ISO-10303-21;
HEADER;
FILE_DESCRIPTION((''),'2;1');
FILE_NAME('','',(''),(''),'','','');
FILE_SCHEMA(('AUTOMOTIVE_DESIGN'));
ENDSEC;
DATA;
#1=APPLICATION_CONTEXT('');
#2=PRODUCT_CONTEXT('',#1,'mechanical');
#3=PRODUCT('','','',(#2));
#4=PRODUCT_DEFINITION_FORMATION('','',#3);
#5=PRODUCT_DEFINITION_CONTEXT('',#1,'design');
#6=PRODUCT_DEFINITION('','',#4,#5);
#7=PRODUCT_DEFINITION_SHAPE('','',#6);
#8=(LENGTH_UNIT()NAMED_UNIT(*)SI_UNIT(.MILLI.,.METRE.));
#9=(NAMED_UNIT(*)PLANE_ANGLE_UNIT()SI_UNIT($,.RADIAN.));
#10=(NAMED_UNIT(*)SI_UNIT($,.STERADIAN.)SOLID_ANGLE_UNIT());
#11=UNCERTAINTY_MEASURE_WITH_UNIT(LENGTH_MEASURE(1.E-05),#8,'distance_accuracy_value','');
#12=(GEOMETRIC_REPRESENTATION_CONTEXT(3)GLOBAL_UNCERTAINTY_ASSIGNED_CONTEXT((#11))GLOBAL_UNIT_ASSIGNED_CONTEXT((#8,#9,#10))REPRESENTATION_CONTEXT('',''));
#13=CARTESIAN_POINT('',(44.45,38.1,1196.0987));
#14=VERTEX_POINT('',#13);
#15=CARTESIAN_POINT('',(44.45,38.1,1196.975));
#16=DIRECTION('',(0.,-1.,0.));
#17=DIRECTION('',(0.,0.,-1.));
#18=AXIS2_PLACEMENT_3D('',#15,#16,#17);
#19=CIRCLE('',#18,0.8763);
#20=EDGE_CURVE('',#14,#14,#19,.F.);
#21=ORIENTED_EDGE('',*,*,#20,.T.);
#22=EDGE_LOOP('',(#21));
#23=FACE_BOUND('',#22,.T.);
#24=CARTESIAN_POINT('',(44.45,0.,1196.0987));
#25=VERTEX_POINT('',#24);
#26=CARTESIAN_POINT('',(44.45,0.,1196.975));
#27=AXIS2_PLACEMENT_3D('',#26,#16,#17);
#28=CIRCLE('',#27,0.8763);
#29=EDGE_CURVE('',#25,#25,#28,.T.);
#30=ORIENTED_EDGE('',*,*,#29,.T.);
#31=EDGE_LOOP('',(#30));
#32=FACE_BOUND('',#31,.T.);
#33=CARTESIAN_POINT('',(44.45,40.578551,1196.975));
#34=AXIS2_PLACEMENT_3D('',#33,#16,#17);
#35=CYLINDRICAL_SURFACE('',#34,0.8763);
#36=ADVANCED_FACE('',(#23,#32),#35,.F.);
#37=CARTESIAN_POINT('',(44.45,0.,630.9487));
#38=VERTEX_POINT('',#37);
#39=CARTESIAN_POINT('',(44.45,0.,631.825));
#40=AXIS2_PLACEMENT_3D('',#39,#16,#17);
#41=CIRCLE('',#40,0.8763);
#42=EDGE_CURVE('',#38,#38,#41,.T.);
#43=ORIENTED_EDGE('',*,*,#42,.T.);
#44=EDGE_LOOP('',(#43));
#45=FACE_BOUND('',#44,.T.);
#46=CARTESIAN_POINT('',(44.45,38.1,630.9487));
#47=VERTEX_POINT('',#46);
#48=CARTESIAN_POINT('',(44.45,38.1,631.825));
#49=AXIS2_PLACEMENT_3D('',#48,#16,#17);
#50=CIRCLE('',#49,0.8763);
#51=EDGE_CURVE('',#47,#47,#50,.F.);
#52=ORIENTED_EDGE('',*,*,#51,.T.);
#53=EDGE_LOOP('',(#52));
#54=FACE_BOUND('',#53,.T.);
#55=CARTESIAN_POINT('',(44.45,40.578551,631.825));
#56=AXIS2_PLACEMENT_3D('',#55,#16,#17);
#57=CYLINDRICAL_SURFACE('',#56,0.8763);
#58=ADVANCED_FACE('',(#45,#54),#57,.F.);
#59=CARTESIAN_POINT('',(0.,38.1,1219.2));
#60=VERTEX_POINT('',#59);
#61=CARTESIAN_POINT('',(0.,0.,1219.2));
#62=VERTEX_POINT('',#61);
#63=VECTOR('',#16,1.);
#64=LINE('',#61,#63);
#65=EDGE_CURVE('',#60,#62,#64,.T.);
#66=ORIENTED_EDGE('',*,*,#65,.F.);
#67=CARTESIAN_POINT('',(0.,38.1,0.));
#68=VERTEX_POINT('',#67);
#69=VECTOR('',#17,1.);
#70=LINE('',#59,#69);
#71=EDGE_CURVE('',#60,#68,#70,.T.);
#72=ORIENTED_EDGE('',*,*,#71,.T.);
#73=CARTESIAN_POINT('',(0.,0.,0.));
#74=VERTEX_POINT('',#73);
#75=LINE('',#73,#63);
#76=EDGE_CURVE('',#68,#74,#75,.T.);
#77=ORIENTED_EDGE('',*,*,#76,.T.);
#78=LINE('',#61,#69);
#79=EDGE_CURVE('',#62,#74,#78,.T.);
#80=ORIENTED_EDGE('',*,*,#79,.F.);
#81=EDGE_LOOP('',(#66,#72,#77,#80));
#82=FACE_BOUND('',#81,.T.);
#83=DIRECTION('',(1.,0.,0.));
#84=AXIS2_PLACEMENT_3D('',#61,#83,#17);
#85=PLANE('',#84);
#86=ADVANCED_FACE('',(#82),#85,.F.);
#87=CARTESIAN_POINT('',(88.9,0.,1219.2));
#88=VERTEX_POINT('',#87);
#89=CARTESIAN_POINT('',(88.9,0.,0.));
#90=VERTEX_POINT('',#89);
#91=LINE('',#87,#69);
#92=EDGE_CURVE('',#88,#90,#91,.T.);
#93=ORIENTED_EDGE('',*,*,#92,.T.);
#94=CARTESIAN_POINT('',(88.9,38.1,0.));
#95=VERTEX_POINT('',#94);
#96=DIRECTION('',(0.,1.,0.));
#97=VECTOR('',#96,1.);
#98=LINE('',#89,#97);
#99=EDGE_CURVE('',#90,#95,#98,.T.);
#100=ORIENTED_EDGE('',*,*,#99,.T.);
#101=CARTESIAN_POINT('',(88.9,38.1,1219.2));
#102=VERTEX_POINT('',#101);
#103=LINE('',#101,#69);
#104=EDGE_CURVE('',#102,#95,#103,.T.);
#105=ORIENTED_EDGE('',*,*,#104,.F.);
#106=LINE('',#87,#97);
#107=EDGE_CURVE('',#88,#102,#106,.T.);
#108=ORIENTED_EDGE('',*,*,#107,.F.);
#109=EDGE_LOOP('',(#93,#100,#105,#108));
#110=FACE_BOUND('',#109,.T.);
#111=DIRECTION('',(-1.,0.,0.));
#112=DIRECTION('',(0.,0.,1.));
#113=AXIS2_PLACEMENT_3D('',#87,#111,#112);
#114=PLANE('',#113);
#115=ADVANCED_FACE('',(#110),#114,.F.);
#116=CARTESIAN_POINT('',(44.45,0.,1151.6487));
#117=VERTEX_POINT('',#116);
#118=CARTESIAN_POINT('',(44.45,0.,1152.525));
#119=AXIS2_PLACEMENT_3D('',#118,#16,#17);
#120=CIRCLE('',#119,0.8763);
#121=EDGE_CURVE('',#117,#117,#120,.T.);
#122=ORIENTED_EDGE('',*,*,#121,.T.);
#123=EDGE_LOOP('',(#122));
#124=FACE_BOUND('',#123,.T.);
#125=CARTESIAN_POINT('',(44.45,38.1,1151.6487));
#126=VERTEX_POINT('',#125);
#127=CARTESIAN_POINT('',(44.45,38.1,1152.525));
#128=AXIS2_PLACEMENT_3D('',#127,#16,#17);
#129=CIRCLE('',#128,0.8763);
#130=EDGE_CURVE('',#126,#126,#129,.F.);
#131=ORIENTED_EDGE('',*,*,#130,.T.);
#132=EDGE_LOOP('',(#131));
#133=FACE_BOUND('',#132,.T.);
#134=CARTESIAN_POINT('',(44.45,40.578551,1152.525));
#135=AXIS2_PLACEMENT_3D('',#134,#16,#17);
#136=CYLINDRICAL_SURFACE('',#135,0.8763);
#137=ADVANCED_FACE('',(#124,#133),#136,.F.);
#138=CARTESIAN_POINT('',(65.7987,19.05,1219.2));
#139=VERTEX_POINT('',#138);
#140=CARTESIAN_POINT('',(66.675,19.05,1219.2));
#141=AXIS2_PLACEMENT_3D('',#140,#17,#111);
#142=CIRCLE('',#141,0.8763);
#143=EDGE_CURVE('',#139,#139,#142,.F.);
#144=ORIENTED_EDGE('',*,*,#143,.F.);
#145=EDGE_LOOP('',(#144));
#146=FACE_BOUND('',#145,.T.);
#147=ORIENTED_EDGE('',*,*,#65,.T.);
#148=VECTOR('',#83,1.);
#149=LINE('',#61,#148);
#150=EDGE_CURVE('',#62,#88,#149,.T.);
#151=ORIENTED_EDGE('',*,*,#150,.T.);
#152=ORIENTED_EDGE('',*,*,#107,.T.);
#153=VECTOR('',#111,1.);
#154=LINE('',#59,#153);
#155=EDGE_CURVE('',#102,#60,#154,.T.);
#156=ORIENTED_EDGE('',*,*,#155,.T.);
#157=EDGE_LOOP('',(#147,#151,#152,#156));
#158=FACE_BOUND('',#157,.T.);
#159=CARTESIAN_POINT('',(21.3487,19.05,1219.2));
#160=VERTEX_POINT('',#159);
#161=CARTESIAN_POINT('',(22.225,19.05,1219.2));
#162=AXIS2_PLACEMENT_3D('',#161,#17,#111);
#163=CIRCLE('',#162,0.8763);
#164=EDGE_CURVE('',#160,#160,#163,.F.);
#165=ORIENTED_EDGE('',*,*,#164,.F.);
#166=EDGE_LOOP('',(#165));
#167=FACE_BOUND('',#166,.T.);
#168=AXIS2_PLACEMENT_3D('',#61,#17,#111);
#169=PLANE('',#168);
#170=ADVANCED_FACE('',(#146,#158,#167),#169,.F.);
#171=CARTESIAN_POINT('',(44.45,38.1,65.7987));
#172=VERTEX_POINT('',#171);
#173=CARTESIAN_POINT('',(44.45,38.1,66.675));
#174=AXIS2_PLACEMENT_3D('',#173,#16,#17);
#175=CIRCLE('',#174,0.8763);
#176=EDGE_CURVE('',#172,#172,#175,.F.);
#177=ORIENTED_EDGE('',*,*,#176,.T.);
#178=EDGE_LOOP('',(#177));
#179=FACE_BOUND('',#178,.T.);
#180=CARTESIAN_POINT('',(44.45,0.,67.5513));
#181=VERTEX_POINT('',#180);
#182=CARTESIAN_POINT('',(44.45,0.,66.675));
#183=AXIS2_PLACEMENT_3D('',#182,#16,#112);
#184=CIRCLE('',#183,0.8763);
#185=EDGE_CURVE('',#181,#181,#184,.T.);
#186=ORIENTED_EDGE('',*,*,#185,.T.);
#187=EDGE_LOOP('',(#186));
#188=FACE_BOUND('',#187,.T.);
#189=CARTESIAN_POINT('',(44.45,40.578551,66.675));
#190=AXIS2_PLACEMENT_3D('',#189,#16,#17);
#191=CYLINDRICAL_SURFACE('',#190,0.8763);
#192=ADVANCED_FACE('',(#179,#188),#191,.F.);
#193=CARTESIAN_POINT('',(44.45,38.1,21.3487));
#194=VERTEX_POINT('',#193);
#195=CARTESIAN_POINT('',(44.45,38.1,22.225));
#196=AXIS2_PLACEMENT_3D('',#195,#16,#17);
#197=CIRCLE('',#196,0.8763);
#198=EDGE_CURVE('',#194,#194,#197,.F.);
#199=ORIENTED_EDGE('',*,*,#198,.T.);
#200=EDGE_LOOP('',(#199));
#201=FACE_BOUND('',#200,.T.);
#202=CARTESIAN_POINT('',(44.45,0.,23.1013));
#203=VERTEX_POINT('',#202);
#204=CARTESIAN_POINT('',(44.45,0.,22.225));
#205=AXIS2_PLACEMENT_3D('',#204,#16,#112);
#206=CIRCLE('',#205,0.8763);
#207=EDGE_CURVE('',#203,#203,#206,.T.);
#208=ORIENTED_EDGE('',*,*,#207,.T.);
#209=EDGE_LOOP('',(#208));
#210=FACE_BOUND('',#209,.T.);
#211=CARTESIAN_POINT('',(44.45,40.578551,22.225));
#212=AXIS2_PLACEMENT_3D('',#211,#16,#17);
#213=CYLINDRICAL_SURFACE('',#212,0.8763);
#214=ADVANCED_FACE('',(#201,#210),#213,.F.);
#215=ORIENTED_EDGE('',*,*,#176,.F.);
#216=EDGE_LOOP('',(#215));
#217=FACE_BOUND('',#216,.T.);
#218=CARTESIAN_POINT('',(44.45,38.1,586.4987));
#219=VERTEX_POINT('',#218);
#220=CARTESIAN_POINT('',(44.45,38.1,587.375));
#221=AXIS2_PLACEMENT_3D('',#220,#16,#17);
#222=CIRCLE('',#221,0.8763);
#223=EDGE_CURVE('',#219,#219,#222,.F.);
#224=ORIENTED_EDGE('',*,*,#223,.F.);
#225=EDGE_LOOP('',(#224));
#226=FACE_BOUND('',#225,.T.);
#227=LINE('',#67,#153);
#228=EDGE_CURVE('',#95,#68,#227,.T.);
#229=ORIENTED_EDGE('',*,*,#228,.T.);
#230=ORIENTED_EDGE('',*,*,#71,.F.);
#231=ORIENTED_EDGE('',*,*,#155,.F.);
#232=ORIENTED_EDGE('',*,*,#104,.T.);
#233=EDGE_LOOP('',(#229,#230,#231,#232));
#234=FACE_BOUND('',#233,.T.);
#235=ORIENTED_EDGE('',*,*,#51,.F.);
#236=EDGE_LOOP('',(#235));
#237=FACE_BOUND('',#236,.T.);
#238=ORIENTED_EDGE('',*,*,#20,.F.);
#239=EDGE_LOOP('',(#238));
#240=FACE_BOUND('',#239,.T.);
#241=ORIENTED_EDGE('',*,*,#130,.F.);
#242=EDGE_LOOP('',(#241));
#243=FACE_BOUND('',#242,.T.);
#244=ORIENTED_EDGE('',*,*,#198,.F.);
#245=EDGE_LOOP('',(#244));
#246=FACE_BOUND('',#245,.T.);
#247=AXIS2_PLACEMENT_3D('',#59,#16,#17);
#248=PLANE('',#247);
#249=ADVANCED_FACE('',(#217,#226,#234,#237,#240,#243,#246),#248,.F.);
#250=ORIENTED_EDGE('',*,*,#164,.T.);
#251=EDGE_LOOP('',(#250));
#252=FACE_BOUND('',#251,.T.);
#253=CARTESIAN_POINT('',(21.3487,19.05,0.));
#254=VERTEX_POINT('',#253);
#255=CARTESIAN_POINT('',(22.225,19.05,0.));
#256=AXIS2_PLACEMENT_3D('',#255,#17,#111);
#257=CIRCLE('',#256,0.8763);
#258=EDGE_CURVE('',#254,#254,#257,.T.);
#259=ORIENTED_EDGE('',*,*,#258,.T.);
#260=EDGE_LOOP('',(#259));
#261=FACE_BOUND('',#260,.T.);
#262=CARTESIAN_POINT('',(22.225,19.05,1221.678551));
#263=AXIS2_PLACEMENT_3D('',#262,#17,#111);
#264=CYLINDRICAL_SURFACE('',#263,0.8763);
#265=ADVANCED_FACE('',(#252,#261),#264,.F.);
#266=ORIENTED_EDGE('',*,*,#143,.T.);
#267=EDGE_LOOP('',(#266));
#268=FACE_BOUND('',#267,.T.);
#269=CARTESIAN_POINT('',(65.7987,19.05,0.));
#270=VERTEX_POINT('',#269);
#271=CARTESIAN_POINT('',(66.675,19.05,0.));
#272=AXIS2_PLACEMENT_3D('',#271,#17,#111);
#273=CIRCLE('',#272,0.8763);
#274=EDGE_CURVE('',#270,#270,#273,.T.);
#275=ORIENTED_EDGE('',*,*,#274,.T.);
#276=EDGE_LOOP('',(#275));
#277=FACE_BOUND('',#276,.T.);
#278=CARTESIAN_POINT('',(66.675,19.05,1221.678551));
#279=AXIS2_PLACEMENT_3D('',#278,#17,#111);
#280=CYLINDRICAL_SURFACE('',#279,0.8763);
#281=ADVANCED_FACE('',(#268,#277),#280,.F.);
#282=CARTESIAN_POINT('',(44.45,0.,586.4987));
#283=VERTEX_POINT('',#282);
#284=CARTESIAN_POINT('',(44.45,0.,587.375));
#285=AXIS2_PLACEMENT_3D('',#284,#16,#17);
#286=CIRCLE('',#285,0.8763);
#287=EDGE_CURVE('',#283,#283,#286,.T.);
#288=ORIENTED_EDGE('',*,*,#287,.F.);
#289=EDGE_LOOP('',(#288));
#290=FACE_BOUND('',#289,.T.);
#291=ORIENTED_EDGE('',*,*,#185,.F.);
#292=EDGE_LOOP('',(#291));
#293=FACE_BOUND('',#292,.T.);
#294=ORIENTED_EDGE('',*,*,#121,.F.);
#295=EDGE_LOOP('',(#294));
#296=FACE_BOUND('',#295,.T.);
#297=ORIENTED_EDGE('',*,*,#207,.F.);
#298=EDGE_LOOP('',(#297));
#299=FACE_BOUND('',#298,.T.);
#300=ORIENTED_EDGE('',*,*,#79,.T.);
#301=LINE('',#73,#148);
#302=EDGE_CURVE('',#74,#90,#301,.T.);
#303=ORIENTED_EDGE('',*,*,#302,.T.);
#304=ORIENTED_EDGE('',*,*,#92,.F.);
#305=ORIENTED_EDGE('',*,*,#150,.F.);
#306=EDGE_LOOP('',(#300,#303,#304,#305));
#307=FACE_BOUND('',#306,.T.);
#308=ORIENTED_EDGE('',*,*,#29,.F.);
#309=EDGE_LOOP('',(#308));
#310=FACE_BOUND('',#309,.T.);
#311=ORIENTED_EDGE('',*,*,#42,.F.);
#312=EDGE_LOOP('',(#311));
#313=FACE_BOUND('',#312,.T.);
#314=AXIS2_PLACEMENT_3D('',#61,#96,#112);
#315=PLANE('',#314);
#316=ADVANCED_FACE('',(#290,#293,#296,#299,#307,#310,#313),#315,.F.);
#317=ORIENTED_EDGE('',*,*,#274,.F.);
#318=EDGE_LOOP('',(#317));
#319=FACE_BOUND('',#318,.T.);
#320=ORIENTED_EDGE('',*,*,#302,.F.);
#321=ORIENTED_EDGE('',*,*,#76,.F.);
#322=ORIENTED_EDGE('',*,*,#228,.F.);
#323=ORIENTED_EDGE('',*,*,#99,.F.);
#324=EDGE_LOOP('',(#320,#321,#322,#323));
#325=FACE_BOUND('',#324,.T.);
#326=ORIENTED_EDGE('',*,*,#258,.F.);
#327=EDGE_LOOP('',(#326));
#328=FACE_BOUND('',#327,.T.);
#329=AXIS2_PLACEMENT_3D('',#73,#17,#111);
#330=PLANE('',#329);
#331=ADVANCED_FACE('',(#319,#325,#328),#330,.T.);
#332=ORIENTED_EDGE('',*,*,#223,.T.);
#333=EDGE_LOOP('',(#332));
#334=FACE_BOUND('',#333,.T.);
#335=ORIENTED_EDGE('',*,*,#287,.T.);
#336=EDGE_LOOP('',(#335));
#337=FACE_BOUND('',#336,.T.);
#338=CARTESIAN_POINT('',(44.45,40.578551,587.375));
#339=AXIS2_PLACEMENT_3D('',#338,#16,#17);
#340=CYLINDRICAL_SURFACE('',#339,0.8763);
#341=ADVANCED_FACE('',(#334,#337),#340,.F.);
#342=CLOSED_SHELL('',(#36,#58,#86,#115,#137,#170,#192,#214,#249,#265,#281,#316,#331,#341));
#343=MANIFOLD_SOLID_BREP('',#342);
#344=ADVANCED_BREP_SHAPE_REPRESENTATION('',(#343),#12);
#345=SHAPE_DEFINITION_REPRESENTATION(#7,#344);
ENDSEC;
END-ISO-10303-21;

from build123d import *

# Parameters (mm, degrees)
SKETCH1_W           = 88.9
SKETCH1_H           = 38.1
BOSS_EXTRUDE1_DEPTH = 1219.2
SKETCH2_R           = 0.8763
CUT_EXTRUDE1_DEPTH  = 1219.2
SKETCH3_R           = 0.8763
CUT_EXTRUDE2_DEPTH  = 38.1


with BuildPart() as part:
    # Sketch1 → Boss-Extrude1 (new body)
    with BuildSketch(Plane.XY):
        with Locations((44.45, 19.05)):
            Rectangle(SKETCH1_W, SKETCH1_H)
    extrude(amount=BOSS_EXTRUDE1_DEPTH)

    # Sketch2 → Cut-Extrude1 (cut)
    with BuildSketch(Plane(origin=(0, 0, 0), x_dir=(-1, 0, 0), z_dir=(0, 0, -1))):
        with Locations((-66.675, 19.05)):
            Circle(SKETCH2_R)
        with Locations((-22.225, 19.05)):
            Circle(SKETCH2_R)
    extrude(amount=-CUT_EXTRUDE1_DEPTH, mode=Mode.SUBTRACT)

    # Sketch3 → Cut-Extrude2 (cut)
    with BuildSketch(Plane.XZ):
        with Locations((44.45, 1196.975)):
            Circle(SKETCH3_R)
        with Locations((44.45, 1152.525)):
            Circle(SKETCH3_R)
        with Locations((44.45, 22.225)):
            Circle(SKETCH3_R)
        with Locations((44.45, 66.675)):
            Circle(SKETCH3_R)
        with Locations((44.45, 587.375)):
            Circle(SKETCH3_R)
        with Locations((44.45, 631.825)):
            Circle(SKETCH3_R)
    extrude(amount=-CUT_EXTRUDE2_DEPTH, mode=Mode.SUBTRACT)


solid = part.part
